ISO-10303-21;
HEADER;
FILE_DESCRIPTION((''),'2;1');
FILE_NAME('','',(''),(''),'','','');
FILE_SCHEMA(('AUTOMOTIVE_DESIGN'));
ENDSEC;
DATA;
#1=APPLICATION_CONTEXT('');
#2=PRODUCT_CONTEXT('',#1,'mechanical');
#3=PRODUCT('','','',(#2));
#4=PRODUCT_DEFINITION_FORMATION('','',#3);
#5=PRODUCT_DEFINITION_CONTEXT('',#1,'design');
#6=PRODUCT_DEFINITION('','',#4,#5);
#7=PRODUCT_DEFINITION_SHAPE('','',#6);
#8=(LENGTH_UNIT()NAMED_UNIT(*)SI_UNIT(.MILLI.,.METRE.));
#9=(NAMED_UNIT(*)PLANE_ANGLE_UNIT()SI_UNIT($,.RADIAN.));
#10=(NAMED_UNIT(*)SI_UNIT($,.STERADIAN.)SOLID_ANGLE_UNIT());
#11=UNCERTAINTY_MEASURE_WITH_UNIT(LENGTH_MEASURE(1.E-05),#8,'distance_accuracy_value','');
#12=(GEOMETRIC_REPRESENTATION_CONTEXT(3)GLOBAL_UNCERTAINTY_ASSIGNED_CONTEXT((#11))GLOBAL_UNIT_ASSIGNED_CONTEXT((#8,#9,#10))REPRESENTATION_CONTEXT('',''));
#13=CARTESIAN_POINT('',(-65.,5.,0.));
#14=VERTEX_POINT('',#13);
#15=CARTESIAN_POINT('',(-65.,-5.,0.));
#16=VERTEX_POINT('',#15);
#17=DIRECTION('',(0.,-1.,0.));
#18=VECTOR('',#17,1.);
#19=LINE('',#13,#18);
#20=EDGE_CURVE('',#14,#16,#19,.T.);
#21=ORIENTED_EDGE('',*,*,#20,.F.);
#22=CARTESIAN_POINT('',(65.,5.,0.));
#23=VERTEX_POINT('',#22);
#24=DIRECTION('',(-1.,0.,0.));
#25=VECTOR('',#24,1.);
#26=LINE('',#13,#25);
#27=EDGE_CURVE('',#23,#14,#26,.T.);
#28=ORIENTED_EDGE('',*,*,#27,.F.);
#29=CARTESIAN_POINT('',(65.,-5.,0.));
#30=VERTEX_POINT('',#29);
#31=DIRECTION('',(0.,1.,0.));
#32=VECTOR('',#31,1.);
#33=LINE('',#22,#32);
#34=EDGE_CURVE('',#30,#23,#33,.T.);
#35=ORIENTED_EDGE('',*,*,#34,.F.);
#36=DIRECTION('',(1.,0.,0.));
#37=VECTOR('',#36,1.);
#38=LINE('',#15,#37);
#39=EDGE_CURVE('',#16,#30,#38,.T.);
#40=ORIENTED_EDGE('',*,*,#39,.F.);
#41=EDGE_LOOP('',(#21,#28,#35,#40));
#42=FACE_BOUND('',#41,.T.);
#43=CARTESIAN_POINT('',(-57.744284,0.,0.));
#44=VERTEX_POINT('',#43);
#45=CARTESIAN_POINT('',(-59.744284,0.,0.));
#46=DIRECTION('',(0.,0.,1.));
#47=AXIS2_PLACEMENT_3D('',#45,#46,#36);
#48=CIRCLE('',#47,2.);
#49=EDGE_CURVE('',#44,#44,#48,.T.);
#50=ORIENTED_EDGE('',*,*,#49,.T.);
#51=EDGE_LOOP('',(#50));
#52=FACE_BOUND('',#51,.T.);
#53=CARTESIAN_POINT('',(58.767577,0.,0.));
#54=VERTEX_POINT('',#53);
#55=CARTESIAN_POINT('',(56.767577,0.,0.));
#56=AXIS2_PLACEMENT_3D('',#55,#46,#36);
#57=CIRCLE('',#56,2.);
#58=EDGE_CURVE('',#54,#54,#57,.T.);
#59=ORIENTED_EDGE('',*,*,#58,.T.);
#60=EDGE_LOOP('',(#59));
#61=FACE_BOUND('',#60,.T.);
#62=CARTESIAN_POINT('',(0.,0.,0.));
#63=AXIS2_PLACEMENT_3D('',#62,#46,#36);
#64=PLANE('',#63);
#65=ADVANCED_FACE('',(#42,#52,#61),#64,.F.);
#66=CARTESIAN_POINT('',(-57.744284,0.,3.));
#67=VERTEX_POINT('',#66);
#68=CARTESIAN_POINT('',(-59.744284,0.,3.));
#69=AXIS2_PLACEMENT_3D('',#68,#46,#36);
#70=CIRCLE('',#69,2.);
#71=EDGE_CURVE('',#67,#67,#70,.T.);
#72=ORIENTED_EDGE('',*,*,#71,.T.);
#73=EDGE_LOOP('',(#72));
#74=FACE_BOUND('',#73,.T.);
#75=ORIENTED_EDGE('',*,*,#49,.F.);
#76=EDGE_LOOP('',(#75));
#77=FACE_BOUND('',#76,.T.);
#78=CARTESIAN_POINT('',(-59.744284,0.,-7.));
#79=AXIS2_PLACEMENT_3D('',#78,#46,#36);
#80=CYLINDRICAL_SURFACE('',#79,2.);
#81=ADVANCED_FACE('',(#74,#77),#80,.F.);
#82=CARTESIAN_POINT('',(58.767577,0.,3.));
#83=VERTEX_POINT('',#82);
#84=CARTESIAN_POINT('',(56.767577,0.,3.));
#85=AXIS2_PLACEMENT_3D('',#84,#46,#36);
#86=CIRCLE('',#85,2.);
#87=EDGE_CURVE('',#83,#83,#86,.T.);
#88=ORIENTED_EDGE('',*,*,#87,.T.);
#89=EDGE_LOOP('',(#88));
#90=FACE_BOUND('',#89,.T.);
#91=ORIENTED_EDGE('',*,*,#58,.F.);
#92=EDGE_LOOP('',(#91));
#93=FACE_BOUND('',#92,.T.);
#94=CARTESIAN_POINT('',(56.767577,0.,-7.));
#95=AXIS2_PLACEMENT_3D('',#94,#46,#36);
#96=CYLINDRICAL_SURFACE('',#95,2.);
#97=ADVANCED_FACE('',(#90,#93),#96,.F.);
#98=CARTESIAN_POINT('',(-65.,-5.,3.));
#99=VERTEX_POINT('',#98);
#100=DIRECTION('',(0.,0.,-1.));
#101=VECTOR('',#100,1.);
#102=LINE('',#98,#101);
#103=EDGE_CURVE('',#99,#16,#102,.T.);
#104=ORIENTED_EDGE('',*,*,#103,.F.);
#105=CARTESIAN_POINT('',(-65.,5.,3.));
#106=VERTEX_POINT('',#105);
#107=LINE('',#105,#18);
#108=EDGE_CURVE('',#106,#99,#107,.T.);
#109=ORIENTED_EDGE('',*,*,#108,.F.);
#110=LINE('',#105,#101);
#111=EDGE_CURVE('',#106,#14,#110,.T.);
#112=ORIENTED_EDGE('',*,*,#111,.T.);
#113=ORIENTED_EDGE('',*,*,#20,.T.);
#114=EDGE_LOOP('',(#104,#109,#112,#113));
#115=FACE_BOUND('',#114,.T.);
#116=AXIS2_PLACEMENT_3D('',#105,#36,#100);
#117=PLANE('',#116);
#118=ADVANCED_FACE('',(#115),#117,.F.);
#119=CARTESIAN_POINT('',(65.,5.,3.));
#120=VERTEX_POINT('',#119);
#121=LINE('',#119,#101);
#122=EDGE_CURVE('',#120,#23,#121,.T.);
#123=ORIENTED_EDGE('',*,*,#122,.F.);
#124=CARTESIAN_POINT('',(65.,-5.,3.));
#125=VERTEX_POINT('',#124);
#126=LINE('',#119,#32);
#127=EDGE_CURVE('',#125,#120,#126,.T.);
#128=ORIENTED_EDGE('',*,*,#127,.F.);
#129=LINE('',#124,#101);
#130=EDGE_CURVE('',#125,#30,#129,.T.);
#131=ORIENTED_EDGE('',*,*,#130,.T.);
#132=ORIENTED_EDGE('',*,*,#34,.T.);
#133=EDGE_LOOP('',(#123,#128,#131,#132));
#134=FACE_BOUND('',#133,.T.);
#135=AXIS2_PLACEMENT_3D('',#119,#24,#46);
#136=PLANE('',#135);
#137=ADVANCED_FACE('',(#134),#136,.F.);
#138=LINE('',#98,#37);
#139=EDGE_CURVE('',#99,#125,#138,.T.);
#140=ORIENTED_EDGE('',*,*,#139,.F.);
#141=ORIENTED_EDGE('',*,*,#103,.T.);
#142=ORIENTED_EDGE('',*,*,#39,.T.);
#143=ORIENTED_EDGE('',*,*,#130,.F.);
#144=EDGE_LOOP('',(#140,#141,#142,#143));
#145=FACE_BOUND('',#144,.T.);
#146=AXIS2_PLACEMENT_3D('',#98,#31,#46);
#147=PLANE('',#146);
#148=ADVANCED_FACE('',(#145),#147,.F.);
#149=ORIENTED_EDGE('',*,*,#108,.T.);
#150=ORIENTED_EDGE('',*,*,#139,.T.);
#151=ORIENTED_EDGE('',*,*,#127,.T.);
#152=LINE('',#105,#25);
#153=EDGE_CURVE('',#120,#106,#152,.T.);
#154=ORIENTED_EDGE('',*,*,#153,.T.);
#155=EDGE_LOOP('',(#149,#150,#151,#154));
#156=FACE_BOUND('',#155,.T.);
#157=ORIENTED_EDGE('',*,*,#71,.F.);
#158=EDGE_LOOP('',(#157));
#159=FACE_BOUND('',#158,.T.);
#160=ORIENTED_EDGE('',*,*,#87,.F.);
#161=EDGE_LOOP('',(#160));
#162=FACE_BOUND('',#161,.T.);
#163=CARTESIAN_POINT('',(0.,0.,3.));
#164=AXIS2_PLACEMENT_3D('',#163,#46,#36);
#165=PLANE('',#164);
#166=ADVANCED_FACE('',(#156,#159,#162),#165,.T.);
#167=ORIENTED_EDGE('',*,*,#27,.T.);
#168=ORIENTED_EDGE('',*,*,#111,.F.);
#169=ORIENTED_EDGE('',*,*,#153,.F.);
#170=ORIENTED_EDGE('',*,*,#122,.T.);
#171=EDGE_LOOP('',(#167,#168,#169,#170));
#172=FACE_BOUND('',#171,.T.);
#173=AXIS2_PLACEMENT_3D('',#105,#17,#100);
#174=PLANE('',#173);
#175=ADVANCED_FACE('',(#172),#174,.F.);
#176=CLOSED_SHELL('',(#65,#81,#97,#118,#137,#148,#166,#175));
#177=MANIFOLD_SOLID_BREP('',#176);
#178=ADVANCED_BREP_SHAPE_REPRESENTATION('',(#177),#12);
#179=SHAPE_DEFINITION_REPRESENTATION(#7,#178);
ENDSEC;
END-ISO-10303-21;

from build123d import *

# Parameters (mm, degrees)
SKETCH1_W           = 130
SKETCH1_H           = 10
BOSS_EXTRUDE1_DEPTH = 3
SKETCH2_R           = 2
CUT_EXTRUDE1_DEPTH  = 10


with BuildPart() as part:
    # Sketch1 → Boss-Extrude1 (new body)
    with BuildSketch(Plane.XY):
        Rectangle(SKETCH1_W, SKETCH1_H)
    extrude(amount=BOSS_EXTRUDE1_DEPTH)

    # Sketch2 → Cut-Extrude1 (cut)
    with BuildSketch(Plane.XY.offset(3)):
        with Locations((-59.74428354, 0)):
            Circle(SKETCH2_R)
        with Locations((56.767577368, 0)):
            Circle(SKETCH2_R)
    extrude(amount=-CUT_EXTRUDE1_DEPTH, mode=Mode.SUBTRACT)


solid = part.part
